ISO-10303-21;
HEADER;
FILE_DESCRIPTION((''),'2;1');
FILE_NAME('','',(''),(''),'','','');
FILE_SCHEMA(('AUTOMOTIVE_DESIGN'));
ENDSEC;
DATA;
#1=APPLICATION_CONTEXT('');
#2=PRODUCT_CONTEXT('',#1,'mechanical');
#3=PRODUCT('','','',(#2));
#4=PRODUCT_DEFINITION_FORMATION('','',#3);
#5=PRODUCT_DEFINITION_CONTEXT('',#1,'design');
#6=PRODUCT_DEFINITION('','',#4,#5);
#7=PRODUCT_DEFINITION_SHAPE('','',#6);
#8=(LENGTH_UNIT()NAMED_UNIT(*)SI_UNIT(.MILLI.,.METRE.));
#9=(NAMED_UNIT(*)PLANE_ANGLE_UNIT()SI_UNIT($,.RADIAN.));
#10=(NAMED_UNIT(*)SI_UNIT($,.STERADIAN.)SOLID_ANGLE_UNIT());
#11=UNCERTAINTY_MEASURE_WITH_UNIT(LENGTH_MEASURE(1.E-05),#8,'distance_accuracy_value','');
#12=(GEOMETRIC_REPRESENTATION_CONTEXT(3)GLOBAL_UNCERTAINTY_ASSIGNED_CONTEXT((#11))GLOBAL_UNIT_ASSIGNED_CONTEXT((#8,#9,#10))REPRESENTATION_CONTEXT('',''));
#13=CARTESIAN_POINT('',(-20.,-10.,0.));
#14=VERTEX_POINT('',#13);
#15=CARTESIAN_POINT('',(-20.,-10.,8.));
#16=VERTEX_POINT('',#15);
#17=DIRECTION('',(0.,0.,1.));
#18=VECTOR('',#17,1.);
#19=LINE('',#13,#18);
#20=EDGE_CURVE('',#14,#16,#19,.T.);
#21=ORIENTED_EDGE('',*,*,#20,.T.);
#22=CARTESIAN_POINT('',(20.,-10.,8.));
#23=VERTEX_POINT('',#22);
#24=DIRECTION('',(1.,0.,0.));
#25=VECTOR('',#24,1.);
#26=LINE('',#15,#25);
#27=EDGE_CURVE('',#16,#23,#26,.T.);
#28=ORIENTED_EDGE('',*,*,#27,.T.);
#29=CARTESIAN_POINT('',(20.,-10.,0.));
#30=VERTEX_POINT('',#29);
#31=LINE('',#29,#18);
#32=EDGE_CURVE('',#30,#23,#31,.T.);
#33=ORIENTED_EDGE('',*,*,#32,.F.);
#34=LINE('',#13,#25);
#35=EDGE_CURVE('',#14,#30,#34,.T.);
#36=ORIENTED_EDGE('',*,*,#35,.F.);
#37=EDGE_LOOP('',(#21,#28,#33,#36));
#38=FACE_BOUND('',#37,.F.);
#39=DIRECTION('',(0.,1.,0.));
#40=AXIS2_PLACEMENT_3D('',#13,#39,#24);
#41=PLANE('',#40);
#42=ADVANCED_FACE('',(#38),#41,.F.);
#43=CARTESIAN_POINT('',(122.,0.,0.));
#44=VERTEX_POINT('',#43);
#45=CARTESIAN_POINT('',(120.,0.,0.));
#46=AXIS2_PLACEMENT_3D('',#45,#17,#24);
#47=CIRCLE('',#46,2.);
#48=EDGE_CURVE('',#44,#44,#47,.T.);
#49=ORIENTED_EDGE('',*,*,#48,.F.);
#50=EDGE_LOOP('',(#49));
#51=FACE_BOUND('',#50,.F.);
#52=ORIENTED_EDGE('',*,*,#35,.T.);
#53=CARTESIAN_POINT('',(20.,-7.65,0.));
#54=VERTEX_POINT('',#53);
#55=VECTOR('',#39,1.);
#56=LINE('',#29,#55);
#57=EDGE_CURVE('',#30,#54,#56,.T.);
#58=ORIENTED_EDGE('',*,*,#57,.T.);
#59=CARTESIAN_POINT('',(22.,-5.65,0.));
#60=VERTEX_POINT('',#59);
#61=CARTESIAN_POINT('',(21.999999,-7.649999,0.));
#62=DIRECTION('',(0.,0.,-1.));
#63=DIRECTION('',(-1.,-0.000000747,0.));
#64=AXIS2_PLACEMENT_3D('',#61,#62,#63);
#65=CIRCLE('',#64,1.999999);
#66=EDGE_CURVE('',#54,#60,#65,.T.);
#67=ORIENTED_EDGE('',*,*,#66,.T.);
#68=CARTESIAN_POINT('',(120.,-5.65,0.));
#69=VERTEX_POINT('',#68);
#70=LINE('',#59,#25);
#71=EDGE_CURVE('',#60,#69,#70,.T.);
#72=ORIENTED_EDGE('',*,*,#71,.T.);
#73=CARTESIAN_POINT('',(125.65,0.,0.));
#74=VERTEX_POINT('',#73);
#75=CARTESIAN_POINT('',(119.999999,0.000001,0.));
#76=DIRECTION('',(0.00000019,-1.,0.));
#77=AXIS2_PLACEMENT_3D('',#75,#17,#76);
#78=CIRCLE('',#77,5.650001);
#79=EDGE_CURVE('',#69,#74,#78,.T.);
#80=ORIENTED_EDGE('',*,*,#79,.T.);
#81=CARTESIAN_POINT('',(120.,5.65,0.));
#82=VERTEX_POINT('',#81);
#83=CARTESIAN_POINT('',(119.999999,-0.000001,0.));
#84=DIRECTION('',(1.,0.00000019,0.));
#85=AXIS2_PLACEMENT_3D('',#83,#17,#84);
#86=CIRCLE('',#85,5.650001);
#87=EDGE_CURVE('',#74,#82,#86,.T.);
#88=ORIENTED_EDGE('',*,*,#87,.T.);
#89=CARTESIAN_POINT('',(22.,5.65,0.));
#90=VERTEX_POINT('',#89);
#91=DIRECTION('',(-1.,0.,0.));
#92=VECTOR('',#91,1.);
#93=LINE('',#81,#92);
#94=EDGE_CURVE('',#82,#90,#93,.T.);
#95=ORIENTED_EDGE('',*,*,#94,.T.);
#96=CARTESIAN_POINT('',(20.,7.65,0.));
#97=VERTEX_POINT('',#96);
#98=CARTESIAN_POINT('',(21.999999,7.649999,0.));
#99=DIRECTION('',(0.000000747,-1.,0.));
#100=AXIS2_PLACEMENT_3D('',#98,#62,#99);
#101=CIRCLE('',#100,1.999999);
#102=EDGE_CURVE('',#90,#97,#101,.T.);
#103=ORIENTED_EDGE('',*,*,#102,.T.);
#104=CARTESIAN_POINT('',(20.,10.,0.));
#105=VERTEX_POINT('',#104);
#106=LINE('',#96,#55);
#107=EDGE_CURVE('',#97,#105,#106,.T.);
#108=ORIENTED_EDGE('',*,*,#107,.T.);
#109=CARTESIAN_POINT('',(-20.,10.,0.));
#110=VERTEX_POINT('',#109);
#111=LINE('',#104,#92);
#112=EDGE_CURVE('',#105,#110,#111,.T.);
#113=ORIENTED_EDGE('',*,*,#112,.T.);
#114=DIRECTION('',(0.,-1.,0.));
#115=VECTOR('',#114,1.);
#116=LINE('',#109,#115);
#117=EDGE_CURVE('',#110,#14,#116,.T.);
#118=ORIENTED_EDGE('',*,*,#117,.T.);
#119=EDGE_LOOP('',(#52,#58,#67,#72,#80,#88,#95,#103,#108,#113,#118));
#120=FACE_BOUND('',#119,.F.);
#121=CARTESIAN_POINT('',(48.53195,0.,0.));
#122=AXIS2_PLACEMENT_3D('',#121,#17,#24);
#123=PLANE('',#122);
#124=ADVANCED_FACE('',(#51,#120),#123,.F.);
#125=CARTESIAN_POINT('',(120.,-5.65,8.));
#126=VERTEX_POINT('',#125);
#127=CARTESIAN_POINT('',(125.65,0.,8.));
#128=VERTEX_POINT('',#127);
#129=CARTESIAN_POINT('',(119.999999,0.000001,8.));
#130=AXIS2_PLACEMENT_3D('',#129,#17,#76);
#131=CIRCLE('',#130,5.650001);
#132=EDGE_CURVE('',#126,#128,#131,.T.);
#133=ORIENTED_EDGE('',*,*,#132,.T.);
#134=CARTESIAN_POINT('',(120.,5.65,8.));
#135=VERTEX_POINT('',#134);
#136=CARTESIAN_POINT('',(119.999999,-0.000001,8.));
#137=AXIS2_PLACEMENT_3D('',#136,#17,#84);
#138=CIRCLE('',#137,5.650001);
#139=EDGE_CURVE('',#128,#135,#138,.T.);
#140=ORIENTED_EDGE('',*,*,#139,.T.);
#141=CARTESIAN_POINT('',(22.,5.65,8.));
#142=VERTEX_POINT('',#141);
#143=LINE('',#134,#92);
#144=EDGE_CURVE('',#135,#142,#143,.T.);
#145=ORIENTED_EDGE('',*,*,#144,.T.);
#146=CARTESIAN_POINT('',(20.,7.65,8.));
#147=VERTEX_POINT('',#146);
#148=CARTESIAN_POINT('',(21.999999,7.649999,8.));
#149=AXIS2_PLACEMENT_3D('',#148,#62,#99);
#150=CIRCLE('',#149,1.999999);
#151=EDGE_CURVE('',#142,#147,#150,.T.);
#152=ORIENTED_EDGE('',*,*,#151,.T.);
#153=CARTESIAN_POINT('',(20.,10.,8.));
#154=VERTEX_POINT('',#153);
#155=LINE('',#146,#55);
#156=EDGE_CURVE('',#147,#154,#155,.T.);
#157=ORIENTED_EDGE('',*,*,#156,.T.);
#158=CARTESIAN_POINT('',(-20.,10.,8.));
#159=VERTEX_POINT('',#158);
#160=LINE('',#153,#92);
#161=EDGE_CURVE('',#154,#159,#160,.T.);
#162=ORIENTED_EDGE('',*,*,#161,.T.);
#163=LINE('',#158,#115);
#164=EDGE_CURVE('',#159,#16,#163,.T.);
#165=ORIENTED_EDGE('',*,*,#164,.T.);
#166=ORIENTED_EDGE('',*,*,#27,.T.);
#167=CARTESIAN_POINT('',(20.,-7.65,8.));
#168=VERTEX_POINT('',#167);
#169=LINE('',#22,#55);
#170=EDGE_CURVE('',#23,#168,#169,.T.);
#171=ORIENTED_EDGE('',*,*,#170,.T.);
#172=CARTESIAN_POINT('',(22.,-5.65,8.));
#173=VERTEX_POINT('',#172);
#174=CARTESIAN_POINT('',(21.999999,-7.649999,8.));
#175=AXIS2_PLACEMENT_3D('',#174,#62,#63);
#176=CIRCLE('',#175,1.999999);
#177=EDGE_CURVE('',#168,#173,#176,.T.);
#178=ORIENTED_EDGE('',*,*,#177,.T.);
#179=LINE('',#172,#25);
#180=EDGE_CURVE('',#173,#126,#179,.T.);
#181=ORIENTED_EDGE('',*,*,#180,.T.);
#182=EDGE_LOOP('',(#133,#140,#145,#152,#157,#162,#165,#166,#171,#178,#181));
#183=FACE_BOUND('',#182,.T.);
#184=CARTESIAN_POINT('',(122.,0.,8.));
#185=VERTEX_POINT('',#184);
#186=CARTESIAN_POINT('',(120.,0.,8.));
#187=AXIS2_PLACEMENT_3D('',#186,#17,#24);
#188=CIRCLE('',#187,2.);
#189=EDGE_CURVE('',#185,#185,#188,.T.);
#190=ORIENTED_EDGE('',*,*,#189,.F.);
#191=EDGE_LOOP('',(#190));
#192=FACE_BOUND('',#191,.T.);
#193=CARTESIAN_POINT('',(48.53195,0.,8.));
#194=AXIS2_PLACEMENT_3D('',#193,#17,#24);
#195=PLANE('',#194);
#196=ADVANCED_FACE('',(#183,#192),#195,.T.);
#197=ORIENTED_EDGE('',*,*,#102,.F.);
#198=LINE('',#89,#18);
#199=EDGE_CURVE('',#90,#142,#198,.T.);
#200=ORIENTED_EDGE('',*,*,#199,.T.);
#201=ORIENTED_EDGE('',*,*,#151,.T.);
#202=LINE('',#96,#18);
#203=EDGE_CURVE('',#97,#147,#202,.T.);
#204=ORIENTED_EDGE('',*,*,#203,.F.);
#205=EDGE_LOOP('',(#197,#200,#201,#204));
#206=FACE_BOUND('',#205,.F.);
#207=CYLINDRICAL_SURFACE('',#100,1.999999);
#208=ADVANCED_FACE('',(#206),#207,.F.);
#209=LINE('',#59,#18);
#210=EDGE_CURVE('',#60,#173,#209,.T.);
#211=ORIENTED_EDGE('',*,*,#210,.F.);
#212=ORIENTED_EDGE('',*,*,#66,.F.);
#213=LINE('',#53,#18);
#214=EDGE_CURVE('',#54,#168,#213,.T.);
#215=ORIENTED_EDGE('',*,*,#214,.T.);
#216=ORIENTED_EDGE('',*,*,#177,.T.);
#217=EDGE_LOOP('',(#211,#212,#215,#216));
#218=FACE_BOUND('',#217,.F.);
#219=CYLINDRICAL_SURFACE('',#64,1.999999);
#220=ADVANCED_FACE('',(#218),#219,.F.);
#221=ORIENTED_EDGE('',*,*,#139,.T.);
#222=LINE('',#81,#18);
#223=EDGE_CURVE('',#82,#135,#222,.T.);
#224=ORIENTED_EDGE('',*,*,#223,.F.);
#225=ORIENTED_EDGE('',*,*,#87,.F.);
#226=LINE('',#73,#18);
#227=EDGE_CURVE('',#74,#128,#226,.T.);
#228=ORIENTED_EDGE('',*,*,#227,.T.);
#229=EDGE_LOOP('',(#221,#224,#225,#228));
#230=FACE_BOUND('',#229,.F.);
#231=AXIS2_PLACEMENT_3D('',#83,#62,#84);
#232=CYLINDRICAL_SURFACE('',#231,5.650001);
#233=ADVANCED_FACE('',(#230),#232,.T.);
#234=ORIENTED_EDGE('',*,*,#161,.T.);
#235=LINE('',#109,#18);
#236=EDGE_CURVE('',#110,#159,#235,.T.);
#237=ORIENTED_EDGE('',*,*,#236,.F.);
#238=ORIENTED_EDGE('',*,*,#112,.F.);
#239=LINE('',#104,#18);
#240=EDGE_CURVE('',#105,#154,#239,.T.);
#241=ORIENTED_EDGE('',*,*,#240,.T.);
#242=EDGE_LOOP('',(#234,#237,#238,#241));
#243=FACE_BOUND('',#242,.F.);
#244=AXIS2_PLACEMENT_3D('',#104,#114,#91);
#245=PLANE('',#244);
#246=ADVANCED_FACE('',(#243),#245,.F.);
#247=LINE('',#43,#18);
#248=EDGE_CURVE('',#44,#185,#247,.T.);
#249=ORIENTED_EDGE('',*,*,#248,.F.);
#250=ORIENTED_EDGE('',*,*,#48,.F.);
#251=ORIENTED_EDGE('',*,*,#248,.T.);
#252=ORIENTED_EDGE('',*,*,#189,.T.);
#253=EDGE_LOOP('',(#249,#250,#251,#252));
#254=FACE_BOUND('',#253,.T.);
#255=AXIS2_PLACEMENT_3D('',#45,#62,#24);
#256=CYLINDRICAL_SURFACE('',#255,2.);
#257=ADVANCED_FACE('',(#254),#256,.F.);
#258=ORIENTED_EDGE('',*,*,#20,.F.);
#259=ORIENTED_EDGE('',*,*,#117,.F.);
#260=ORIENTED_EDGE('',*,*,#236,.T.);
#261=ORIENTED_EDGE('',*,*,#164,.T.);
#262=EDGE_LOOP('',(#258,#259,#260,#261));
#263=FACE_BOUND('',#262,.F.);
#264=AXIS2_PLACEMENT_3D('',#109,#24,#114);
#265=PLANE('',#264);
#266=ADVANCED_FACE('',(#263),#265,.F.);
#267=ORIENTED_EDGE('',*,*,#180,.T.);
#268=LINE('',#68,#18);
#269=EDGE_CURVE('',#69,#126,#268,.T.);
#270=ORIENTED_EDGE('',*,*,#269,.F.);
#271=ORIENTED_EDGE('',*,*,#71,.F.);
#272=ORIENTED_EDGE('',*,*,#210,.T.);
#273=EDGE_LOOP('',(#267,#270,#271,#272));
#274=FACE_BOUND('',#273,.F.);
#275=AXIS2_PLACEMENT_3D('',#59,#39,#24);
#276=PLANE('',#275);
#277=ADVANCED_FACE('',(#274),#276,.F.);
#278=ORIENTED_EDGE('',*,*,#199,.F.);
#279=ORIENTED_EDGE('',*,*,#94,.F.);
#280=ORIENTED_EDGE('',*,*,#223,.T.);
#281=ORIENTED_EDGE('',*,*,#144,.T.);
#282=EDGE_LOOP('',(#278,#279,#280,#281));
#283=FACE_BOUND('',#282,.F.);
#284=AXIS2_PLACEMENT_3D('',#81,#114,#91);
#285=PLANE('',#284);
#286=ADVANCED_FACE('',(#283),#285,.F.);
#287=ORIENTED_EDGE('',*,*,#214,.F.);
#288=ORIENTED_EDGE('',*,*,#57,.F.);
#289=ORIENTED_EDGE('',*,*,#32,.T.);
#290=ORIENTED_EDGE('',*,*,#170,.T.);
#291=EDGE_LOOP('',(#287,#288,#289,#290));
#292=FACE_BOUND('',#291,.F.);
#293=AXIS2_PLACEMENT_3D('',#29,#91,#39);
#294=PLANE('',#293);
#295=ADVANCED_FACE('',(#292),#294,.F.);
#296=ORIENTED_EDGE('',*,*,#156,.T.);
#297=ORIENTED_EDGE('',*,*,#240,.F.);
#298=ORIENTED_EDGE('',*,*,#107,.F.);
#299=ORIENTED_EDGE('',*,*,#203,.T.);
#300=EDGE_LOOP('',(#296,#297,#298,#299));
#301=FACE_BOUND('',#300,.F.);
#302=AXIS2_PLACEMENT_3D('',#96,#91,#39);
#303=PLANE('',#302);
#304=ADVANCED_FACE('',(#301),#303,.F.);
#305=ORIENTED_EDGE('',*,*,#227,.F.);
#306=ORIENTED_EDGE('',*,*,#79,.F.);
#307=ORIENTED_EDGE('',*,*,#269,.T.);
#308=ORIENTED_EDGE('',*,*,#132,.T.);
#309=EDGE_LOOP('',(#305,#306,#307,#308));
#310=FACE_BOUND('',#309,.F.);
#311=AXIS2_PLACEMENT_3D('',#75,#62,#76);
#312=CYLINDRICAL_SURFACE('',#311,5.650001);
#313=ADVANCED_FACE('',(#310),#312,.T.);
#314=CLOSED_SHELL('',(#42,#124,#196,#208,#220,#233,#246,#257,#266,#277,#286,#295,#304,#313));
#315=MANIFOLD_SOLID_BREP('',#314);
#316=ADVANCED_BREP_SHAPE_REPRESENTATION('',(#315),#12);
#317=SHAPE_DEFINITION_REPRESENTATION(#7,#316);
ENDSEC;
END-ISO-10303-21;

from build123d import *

# Parameters (mm, degrees)
F0_R     = 2
F1_DEPTH = 8


with BuildPart() as f1:
    # F0 (on Top) → F1 (new body)
    with BuildSketch(Plane.XY):
        with BuildLine():
            Line((-20, -10), (20, -10))
            Line((20, -10), (20, -7.65))
            ThreePointArc((20, -7.65), (20.585786, -6.235786), (22, -5.65))
            Line((22, -5.65), (120, -5.65))
            ThreePointArc((120, -5.65), (114.35, 0), (120, 5.65))
            Line((120, 5.65), (22, 5.65))
            ThreePointArc((22, 5.65), (20.585786, 6.235786), (20, 7.65))
            Line((20, 7.65), (20, 10))
            Line((20, 10), (-20, 10))
            Line((-20, 10), (-20, -10))
        make_face()
        with BuildLine():
            ThreePointArc((120, 5.65), (114.35, 0), (120, -5.65))
            ThreePointArc((120, -5.65), (123.995153, -3.995153), (125.65, 0))
            ThreePointArc((125.65, 0), (123.995153, 3.995153), (120, 5.65))
        make_face()
        with Locations((120, 0)):
            Circle(F0_R, mode=Mode.SUBTRACT)
    extrude(amount=F1_DEPTH)


solid = f1.part
